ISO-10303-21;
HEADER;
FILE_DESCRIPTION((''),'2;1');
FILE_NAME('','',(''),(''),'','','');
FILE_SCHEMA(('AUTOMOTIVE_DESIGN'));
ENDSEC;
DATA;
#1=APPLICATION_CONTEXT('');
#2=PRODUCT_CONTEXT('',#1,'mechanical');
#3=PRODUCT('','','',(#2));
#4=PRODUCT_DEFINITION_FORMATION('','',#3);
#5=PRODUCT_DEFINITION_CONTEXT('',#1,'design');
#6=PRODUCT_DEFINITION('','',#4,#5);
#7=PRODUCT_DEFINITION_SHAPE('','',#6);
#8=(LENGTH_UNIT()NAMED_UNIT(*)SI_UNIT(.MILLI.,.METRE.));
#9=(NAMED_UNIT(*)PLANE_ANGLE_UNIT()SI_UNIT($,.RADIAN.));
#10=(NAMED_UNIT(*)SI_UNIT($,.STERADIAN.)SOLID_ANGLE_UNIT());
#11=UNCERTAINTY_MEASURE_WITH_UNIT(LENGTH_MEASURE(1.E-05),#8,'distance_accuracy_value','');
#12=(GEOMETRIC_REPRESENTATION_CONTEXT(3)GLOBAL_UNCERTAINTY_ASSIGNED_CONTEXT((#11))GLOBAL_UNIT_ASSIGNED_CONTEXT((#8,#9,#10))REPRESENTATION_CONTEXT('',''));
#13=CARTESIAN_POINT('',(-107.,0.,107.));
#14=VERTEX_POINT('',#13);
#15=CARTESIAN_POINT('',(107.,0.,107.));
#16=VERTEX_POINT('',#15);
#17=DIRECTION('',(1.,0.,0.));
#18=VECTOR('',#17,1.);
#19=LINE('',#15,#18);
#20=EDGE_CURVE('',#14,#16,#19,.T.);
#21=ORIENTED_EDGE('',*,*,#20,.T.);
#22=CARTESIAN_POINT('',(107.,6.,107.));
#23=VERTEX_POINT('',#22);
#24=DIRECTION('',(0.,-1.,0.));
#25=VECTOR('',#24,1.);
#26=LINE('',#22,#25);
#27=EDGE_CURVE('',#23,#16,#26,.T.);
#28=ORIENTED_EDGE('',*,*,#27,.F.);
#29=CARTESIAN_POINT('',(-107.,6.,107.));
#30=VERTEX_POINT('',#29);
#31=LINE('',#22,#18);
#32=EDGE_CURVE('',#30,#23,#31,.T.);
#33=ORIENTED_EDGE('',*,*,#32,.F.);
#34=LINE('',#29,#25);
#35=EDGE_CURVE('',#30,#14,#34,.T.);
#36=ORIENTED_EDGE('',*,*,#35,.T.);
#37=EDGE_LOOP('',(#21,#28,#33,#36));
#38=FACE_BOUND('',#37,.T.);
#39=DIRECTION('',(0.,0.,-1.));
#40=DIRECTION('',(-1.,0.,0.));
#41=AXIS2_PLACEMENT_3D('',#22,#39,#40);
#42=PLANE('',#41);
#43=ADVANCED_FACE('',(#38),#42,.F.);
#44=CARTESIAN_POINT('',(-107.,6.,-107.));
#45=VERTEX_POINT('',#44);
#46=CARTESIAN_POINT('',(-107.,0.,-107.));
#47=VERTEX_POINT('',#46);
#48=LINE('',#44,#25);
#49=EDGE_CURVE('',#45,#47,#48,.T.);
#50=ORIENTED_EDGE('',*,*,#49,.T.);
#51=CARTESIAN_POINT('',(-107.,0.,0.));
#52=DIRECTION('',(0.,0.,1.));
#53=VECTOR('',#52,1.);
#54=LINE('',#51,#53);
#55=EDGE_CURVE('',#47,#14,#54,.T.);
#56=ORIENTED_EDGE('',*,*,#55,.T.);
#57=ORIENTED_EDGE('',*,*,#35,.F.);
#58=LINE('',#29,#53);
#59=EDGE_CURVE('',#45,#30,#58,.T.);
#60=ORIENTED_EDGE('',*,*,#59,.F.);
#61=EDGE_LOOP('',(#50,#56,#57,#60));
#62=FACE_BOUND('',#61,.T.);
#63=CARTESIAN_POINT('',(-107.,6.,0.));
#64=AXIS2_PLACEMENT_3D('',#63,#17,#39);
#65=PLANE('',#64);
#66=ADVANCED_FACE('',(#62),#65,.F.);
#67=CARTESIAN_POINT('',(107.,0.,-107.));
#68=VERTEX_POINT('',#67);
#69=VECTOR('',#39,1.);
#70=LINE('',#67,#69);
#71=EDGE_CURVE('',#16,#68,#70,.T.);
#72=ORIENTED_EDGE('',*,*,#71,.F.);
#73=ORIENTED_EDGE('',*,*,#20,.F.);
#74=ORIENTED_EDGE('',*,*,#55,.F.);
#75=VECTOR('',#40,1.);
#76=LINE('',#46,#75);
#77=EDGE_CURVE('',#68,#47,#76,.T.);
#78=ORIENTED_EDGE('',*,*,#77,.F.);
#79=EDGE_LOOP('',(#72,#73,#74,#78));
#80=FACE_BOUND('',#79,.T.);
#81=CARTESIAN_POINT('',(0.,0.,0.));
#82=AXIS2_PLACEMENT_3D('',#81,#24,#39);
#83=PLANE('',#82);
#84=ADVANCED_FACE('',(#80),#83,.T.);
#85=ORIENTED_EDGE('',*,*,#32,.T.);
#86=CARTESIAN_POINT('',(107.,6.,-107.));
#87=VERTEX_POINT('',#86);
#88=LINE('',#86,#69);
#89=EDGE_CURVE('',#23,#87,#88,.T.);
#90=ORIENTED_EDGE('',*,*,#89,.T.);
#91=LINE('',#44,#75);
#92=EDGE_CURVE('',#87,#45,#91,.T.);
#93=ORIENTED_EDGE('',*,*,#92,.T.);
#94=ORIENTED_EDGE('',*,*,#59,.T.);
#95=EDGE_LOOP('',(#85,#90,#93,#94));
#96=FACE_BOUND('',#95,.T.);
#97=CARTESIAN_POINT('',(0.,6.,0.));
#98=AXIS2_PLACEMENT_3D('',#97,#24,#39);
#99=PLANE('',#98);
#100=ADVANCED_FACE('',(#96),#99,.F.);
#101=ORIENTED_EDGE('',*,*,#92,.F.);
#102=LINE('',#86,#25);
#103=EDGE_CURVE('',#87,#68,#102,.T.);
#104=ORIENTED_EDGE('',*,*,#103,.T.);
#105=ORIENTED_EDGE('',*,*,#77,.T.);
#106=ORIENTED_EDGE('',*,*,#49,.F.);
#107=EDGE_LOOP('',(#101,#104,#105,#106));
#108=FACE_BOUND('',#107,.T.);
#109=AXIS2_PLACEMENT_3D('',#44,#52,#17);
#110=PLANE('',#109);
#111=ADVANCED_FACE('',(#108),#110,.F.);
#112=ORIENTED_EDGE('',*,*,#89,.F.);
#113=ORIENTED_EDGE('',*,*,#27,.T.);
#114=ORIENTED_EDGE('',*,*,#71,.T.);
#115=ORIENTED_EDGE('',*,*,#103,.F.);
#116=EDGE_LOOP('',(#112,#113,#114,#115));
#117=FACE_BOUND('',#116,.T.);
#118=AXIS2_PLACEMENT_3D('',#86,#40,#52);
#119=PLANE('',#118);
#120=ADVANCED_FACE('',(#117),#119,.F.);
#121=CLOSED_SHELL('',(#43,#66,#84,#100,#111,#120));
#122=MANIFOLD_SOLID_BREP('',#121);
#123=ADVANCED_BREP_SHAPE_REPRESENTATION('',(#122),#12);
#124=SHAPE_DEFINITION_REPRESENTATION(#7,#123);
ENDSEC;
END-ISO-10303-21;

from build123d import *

# Parameters (mm, degrees)
BOSS_EXTRUDE1_DEPTH = 6


with BuildPart() as part:
    # Sketch1 → Boss-Extrude1 (new body)
    with BuildSketch(Plane(origin=(0, 0, 0), x_dir=(1, 0, 0), z_dir=(0, 1, 0))):
        Polygon((-107, 0), (-107, 107), (107, 107), (107, -107), (-107, -107), align=None)
    extrude(amount=BOSS_EXTRUDE1_DEPTH)


solid = part.part
